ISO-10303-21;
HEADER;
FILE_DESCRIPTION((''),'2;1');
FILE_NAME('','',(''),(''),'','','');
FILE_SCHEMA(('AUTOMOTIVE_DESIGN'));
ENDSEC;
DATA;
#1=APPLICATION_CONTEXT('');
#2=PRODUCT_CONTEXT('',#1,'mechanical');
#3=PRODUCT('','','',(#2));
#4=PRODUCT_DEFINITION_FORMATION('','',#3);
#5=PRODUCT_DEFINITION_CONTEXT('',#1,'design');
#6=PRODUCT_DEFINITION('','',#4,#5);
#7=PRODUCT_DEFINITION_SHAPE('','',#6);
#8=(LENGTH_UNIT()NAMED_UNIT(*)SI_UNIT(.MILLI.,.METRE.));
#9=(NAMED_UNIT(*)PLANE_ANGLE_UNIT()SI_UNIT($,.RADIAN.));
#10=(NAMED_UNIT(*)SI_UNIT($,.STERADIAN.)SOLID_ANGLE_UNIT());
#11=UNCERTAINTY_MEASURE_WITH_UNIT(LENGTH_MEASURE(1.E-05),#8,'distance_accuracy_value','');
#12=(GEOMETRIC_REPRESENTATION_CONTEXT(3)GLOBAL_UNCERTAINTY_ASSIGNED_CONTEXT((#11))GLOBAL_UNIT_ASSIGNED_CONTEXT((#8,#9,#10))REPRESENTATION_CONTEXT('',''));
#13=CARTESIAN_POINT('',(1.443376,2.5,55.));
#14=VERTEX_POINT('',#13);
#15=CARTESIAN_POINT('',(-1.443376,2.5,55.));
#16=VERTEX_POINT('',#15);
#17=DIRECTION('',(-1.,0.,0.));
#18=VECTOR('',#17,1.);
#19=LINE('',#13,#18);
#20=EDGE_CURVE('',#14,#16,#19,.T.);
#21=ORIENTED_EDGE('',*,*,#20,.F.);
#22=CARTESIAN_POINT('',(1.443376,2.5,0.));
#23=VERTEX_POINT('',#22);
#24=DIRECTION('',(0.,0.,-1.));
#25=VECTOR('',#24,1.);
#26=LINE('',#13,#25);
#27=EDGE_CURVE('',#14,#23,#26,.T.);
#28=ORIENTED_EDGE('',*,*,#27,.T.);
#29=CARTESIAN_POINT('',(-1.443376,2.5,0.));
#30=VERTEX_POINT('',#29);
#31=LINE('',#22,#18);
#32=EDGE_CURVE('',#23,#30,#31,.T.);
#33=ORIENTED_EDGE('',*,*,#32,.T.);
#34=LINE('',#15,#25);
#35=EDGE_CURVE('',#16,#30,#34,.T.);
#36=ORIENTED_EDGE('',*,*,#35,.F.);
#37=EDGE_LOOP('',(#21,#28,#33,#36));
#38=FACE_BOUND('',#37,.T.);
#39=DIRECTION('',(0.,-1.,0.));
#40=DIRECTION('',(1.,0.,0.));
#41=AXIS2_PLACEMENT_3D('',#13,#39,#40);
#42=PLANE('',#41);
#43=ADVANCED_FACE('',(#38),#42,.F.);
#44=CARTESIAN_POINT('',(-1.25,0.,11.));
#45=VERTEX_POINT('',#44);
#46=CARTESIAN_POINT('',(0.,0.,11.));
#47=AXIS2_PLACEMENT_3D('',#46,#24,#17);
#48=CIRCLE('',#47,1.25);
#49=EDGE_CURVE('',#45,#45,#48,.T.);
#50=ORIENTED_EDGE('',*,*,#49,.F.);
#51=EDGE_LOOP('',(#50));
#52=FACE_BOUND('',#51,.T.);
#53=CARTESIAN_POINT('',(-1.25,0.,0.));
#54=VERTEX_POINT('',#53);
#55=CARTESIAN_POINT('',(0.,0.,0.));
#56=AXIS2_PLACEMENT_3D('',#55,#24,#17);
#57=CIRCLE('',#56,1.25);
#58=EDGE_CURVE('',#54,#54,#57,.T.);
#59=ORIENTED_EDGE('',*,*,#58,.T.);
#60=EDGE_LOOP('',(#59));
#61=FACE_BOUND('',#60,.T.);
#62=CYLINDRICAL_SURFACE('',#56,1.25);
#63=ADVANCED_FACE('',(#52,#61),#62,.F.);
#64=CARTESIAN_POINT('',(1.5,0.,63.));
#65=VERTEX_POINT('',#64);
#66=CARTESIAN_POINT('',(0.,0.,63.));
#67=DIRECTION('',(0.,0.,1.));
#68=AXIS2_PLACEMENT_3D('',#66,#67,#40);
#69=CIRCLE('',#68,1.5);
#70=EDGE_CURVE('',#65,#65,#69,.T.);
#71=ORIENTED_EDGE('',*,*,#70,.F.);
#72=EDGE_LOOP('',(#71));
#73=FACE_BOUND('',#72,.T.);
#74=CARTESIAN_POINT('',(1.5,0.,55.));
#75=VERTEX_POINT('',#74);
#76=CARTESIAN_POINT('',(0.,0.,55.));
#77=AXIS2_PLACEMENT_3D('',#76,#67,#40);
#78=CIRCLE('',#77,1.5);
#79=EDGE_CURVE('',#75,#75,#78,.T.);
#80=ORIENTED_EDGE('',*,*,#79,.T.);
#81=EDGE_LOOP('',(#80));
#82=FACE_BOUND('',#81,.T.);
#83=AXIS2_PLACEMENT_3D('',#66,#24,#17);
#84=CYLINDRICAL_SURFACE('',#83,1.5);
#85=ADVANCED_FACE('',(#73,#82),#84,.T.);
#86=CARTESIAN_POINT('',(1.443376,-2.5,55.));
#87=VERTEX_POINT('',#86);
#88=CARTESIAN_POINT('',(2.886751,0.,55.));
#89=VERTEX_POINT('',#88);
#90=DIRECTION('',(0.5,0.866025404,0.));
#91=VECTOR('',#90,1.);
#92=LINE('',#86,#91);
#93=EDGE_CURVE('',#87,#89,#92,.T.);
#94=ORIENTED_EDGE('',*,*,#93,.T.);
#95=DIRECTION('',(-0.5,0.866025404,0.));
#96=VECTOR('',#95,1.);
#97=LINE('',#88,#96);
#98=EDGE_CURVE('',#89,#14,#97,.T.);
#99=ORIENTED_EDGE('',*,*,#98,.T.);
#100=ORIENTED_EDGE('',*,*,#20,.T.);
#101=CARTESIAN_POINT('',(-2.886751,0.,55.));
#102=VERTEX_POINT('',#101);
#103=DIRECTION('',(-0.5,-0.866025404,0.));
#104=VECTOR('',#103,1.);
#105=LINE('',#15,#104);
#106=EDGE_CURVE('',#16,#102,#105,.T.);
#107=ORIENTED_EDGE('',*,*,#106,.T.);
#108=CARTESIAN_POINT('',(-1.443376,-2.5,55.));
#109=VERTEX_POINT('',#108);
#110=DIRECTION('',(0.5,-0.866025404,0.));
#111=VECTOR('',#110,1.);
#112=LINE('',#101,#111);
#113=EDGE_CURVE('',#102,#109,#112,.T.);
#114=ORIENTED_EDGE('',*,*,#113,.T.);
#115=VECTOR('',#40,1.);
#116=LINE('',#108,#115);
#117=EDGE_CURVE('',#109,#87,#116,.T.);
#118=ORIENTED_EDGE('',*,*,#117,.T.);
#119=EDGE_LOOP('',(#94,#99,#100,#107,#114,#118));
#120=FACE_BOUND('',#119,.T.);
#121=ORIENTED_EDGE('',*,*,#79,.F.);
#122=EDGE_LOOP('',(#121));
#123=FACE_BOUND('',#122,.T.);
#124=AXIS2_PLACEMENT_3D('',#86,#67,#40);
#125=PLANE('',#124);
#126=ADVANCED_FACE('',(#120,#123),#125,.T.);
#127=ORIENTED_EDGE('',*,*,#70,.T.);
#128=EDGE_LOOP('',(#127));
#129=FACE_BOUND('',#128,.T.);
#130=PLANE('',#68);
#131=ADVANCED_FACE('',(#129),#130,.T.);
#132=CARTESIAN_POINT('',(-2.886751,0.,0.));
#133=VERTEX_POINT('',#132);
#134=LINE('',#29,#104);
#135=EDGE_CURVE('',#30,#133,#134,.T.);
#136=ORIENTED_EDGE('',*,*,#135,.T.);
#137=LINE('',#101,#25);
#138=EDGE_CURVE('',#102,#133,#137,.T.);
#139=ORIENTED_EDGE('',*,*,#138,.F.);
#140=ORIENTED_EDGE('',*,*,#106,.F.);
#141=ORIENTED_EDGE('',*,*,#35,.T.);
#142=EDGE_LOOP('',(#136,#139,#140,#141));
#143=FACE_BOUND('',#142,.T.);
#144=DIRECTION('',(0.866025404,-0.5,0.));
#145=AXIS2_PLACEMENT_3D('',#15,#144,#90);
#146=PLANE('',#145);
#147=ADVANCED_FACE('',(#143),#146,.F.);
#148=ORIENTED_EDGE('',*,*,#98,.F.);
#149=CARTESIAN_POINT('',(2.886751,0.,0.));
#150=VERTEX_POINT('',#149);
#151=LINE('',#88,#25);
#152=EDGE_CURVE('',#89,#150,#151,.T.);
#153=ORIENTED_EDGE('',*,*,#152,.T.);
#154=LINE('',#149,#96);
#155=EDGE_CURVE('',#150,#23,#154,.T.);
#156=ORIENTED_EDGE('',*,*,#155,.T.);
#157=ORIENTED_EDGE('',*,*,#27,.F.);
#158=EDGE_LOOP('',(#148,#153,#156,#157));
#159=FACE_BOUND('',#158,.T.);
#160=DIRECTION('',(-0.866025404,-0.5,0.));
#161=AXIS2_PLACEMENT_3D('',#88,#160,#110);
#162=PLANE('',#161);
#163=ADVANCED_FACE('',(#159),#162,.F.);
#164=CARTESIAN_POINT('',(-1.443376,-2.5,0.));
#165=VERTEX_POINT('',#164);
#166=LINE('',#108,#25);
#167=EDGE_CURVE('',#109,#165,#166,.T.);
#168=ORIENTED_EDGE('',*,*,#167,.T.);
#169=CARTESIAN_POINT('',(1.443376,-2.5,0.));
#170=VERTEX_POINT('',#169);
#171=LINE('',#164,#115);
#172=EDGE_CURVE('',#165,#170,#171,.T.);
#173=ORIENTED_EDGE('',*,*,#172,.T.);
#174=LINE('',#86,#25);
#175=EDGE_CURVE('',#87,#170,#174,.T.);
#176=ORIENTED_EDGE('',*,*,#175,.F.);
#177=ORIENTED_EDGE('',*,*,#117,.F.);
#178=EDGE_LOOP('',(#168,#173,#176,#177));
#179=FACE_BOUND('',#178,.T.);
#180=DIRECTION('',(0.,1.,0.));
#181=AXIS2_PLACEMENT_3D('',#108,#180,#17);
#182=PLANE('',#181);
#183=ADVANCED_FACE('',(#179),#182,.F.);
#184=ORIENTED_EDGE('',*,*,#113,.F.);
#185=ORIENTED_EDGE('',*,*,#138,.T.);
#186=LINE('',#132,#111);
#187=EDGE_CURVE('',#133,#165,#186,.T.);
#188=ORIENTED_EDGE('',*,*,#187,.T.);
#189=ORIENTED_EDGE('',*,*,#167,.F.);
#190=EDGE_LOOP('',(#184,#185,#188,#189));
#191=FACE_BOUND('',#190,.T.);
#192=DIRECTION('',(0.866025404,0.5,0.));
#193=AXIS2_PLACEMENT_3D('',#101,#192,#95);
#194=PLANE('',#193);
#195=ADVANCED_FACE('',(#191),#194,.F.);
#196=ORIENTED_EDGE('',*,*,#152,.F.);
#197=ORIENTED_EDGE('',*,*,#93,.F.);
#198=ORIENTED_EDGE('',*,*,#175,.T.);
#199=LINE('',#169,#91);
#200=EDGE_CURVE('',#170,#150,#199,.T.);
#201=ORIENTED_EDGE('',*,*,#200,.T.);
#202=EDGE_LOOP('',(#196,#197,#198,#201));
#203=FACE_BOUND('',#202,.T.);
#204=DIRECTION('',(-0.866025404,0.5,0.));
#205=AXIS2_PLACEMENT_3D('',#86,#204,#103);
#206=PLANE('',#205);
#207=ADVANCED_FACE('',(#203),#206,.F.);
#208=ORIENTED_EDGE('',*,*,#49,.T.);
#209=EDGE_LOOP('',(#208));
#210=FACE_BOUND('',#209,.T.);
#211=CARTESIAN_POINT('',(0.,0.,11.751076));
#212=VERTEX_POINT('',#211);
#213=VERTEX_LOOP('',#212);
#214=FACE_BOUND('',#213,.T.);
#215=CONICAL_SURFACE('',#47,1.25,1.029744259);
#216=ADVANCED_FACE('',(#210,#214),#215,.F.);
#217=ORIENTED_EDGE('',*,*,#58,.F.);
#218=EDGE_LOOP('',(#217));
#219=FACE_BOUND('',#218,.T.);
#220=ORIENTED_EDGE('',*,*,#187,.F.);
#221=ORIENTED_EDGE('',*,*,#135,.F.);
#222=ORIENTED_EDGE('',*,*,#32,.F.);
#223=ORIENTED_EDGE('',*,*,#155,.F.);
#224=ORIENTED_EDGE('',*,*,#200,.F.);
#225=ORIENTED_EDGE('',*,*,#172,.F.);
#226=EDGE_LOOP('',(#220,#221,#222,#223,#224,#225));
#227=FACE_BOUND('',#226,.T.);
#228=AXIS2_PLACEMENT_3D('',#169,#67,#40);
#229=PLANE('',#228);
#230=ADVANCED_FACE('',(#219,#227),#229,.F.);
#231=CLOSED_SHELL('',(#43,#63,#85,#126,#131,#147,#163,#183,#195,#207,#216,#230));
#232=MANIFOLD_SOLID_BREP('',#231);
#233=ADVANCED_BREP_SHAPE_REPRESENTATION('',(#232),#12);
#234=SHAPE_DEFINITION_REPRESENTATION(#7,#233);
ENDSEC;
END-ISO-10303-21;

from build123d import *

# Parameters (mm, degrees)
EXTRUDE_1_DEPTH = 55
SKETCH_2_R      = 1.5
EXTRUDE_2_DEPTH = 8
M3X0_5_1_D      = 2.5
M3X0_5_1_DEPTH  = 11
M3X0_5_1_TIP    = 0.751075774


with BuildPart() as part:
    # 草图1 → 拉伸1 (new body)
    with BuildSketch(Plane.XY):
        Polygon((1.443375673, -2.5), (2.886751346, 0), (1.443375673, 2.5), (-1.443375673, 2.5), (-2.886751346, 0), (-1.443375673, -2.5), align=None)
    extrude(amount=EXTRUDE_1_DEPTH)

    # 草图2 → 拉伸2 (add)
    with BuildSketch(Plane.XY.offset(55)):
        Circle(SKETCH_2_R)
    extrude(amount=EXTRUDE_2_DEPTH)

    # M3x0.5 螺纹孔1
    with Locations(Plane(origin=(0, 0, 0), x_dir=(-1, 0, 0), z_dir=(0, 0, -1))):
        with Locations((0, 0)):
            Hole(M3X0_5_1_D / 2, depth=M3X0_5_1_DEPTH)
            with Locations((0, 0, -(M3X0_5_1_DEPTH + M3X0_5_1_TIP / 2))):  # 118° drill point
                Cone(0, M3X0_5_1_D / 2, M3X0_5_1_TIP, mode=Mode.SUBTRACT)


solid = part.part
